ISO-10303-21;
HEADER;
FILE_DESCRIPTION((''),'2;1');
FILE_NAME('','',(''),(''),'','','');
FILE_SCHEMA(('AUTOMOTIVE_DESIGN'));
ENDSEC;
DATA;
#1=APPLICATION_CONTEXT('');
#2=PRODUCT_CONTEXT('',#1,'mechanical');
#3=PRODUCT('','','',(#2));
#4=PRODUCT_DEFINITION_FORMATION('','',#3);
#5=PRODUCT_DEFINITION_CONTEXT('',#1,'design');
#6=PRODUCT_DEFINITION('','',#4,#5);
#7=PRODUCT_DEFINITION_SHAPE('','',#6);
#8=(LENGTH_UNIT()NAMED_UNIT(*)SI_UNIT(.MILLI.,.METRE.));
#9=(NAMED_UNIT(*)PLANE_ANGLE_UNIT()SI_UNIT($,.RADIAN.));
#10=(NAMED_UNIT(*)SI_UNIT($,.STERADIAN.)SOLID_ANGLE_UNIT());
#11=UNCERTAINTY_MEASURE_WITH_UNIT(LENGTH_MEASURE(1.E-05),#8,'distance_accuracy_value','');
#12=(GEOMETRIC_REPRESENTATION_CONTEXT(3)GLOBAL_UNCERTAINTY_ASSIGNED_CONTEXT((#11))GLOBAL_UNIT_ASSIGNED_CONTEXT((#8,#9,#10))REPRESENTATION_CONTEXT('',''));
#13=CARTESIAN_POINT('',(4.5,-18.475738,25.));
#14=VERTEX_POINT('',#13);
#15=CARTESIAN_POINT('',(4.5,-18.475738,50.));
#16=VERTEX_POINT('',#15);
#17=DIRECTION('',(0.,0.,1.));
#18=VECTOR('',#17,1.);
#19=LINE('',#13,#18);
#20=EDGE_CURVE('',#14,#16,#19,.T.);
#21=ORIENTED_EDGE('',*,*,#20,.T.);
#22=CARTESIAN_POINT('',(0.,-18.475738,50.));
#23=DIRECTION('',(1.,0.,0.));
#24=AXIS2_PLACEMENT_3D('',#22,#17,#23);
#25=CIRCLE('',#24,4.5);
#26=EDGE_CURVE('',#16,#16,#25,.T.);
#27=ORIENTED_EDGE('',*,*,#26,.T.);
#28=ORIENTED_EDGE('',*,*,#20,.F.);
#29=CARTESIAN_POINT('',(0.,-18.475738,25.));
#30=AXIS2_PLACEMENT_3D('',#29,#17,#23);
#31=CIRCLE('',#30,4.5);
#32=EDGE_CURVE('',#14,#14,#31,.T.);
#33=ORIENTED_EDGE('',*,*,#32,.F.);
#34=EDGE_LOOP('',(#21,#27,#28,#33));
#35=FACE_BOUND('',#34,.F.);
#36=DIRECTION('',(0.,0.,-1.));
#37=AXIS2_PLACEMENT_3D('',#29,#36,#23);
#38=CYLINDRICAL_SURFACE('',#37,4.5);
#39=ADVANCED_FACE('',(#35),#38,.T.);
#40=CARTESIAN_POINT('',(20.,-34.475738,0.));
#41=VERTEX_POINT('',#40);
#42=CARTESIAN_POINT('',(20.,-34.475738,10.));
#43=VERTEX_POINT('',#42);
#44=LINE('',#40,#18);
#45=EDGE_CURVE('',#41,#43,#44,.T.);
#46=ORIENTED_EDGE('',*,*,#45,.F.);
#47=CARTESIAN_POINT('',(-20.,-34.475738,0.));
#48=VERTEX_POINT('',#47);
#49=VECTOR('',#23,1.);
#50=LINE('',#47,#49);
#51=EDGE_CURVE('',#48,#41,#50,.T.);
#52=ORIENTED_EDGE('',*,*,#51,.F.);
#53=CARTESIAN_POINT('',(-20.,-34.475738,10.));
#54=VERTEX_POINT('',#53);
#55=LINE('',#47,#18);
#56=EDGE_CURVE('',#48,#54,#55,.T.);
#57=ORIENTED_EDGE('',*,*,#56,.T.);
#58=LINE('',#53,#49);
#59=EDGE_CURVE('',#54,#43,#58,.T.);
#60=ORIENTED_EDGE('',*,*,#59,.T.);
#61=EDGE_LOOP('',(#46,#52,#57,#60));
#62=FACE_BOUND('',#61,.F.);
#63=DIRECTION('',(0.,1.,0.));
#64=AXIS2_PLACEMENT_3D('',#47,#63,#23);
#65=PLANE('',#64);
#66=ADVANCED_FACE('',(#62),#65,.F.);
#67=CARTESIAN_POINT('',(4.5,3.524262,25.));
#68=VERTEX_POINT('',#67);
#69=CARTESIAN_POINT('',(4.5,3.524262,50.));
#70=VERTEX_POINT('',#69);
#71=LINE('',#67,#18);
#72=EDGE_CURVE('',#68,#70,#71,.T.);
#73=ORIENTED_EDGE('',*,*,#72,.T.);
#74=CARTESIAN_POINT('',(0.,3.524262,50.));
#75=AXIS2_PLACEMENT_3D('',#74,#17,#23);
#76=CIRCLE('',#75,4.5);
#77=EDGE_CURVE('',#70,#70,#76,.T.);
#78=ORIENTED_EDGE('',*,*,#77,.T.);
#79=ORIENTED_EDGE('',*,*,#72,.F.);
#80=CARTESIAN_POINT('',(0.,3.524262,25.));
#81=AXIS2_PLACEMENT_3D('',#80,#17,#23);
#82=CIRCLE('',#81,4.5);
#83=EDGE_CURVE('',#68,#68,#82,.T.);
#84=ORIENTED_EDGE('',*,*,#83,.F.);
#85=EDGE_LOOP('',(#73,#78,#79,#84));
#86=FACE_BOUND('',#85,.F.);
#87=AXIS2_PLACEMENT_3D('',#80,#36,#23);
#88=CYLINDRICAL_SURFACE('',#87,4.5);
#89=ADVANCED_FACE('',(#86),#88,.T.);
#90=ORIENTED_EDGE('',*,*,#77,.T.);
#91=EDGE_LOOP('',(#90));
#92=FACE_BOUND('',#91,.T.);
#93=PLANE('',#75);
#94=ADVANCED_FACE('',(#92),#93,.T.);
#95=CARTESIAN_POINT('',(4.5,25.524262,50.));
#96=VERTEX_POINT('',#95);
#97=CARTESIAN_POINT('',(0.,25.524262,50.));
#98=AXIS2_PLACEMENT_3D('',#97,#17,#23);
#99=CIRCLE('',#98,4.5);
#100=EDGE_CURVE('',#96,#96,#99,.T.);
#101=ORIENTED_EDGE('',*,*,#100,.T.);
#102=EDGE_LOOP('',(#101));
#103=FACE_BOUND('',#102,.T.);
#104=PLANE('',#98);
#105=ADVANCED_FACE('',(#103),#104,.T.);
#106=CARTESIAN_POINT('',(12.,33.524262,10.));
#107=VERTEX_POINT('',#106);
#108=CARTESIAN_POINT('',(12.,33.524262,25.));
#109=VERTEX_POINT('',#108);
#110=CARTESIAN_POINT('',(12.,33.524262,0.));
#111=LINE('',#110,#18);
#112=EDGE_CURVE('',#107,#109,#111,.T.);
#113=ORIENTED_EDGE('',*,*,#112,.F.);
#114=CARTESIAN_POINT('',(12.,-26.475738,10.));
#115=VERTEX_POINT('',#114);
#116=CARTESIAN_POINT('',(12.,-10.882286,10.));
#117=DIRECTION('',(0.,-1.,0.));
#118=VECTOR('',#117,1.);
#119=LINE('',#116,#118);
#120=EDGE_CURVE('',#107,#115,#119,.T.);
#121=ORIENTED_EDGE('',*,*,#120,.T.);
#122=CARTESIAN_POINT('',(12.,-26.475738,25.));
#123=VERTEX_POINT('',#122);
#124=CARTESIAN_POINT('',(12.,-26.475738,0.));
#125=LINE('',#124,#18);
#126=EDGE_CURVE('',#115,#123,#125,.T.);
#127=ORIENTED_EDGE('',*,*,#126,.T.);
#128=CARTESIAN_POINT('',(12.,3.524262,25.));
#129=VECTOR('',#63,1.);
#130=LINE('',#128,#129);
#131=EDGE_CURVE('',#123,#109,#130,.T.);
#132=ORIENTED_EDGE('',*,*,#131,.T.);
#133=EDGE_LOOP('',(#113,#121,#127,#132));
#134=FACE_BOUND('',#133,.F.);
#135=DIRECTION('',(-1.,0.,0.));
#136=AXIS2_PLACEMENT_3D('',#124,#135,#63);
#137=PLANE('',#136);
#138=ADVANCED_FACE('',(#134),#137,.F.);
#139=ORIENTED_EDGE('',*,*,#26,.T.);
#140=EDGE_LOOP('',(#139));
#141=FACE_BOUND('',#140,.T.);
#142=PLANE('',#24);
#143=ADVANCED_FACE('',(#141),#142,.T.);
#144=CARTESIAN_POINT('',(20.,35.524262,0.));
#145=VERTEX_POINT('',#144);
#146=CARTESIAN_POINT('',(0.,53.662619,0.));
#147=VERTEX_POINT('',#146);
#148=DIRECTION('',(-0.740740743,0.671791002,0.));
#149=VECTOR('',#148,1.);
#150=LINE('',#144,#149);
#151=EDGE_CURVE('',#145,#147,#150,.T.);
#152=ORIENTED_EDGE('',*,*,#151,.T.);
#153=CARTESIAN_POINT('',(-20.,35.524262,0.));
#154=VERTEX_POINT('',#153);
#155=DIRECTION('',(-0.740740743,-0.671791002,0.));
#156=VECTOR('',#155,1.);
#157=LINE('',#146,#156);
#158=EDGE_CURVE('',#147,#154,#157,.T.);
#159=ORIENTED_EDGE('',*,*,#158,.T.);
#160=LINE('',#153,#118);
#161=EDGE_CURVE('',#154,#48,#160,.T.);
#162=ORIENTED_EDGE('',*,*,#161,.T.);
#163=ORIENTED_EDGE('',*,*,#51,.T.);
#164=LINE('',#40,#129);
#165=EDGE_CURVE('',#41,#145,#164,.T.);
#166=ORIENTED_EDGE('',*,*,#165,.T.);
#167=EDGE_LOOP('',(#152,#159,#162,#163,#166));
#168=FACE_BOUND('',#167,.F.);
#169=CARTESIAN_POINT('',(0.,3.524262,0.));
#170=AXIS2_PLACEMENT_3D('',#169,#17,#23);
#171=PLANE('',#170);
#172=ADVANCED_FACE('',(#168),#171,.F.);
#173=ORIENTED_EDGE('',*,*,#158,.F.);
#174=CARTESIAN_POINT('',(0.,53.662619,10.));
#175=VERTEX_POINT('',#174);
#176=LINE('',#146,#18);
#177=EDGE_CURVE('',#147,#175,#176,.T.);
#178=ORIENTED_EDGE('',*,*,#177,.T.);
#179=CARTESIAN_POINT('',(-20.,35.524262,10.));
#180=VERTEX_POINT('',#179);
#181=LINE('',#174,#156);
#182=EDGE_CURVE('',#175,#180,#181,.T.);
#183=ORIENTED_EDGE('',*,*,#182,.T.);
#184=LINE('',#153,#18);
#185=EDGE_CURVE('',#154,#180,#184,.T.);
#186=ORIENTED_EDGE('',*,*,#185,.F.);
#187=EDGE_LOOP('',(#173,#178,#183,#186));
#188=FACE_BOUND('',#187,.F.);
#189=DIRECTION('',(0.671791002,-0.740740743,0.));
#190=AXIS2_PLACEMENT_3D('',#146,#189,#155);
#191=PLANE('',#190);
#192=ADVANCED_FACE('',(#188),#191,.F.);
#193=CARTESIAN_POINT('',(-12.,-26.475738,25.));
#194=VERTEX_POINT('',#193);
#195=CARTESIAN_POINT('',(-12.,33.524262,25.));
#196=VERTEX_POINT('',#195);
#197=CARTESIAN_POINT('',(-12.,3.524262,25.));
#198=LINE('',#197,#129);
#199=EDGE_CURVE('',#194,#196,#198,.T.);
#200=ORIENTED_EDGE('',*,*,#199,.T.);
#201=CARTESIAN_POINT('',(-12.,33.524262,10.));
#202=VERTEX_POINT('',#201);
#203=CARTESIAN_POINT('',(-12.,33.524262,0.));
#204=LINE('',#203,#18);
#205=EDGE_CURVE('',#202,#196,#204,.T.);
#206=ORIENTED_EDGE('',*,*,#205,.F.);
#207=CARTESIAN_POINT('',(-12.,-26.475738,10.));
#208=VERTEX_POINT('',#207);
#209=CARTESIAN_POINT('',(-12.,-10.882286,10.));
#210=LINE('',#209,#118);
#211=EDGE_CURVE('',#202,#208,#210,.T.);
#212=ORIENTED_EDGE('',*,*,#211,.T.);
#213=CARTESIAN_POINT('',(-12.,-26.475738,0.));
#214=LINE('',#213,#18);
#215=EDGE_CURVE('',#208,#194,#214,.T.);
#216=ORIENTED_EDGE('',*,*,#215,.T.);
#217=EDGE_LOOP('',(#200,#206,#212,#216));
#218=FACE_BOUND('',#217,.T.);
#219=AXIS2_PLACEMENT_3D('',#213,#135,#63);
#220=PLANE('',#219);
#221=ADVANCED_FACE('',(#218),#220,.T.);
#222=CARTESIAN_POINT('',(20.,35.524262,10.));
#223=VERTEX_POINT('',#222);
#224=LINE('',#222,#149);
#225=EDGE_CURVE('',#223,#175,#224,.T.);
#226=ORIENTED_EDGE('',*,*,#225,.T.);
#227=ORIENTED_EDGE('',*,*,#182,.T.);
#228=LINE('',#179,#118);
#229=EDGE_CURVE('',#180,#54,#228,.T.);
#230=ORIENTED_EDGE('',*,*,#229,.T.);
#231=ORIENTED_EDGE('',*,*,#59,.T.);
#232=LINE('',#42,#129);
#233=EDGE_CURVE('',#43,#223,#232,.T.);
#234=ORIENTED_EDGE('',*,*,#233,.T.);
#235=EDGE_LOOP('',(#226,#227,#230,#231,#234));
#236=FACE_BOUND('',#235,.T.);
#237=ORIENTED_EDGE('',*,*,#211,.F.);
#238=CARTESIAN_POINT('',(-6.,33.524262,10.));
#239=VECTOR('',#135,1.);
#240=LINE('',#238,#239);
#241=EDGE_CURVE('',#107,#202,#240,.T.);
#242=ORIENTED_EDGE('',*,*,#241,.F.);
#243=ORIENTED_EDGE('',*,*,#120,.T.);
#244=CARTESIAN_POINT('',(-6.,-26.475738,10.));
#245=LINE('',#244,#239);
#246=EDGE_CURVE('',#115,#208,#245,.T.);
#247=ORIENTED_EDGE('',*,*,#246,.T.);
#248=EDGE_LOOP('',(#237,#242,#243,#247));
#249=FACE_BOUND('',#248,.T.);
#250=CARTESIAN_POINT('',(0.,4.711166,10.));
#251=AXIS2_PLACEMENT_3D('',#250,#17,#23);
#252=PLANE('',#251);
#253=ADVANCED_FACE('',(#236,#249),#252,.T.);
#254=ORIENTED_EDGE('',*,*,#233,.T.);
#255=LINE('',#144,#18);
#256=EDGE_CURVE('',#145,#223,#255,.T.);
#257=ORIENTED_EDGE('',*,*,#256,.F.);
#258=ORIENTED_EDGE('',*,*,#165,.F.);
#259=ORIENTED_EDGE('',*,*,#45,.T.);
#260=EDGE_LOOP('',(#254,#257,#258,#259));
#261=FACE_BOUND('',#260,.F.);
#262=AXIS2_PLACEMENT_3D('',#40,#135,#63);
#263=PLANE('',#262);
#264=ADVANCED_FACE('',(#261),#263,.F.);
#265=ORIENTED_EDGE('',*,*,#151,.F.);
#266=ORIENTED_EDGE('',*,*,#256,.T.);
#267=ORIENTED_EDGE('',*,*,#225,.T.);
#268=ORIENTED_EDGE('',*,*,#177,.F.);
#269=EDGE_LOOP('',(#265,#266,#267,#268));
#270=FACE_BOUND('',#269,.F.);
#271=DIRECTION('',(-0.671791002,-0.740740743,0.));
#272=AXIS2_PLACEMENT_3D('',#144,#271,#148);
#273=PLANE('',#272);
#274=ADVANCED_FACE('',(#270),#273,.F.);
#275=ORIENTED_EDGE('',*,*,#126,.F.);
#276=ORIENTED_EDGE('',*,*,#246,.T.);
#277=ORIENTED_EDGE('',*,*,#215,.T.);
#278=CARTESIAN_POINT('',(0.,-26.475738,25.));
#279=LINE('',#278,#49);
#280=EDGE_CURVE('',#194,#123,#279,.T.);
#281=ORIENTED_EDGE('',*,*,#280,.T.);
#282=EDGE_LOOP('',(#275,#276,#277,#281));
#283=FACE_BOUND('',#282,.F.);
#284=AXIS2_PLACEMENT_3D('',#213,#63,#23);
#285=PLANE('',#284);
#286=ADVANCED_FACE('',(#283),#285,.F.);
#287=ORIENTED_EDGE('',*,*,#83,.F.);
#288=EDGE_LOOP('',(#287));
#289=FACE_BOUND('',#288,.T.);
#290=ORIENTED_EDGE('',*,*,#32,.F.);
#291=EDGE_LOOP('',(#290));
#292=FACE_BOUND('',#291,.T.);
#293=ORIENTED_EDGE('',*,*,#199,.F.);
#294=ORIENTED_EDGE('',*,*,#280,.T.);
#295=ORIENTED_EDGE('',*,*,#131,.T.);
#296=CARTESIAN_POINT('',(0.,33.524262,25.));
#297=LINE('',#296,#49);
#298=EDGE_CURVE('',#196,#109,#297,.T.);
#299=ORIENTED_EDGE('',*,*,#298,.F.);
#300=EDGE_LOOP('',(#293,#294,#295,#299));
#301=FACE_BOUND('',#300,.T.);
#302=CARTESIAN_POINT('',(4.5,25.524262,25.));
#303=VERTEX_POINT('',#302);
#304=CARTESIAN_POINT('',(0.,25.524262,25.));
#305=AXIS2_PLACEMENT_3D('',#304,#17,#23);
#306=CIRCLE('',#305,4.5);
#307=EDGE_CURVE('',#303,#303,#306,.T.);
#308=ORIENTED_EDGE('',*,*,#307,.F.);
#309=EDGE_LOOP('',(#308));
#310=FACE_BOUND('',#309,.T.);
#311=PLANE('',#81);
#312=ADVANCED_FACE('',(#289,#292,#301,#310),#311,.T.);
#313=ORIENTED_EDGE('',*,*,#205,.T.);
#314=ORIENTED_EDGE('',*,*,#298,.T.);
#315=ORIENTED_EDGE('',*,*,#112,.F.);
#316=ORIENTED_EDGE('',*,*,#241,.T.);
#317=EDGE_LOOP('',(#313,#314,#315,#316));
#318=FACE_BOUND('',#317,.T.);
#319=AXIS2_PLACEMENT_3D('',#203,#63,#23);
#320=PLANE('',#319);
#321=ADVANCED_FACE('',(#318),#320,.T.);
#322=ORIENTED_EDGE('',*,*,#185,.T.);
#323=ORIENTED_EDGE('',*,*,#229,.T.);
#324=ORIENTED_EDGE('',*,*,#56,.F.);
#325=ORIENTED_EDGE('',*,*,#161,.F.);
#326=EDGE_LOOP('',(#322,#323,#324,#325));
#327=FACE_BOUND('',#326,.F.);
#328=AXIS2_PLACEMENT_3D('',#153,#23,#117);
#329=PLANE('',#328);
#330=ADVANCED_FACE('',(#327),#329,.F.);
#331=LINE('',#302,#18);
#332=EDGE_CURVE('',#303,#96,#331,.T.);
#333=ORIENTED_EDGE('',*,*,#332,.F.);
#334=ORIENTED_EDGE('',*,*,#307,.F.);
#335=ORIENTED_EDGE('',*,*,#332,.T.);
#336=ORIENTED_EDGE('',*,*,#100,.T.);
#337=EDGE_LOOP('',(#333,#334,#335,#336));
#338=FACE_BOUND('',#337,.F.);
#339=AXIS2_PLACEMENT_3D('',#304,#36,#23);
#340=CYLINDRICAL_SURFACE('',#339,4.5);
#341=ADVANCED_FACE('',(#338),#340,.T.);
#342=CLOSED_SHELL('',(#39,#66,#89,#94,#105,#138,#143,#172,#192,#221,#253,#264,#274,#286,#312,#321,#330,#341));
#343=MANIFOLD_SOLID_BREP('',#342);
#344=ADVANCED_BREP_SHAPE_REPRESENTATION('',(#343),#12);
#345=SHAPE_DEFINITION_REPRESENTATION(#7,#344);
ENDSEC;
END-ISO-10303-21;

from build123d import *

# Parameters (mm, degrees)
F1_DEPTH = 10
F2_W     = 24
F2_H     = 60
F3_DEPTH = 25
F4_R     = 4.5
F5_DEPTH = 25


with BuildPart() as f1:
    # F0 (on Top) → F1 (new body)
    with BuildSketch(Plane.XY):
        Polygon((0, 53.662619), (-20, 35.524262), (-20, -34.475738), (20, -34.475738), (20, 35.524262), align=None)
    extrude(amount=F1_DEPTH)

    # F2 (on Top) → F3 (join)
    with BuildSketch(Plane.XY):
        with Locations((0, 3.524262)):
            Rectangle(F2_W, F2_H)
    extrude(amount=F3_DEPTH)

    # F4 (on face) → F5 (join)
    with BuildSketch(Plane.XY.offset(25)):
        with Locations((0, 25.524262)):
            Circle(F4_R)
        with Locations((0, 3.524262)):
            Circle(F4_R)
        with Locations((0, -18.475738)):
            Circle(F4_R)
    extrude(amount=F5_DEPTH)


solid = f1.part
